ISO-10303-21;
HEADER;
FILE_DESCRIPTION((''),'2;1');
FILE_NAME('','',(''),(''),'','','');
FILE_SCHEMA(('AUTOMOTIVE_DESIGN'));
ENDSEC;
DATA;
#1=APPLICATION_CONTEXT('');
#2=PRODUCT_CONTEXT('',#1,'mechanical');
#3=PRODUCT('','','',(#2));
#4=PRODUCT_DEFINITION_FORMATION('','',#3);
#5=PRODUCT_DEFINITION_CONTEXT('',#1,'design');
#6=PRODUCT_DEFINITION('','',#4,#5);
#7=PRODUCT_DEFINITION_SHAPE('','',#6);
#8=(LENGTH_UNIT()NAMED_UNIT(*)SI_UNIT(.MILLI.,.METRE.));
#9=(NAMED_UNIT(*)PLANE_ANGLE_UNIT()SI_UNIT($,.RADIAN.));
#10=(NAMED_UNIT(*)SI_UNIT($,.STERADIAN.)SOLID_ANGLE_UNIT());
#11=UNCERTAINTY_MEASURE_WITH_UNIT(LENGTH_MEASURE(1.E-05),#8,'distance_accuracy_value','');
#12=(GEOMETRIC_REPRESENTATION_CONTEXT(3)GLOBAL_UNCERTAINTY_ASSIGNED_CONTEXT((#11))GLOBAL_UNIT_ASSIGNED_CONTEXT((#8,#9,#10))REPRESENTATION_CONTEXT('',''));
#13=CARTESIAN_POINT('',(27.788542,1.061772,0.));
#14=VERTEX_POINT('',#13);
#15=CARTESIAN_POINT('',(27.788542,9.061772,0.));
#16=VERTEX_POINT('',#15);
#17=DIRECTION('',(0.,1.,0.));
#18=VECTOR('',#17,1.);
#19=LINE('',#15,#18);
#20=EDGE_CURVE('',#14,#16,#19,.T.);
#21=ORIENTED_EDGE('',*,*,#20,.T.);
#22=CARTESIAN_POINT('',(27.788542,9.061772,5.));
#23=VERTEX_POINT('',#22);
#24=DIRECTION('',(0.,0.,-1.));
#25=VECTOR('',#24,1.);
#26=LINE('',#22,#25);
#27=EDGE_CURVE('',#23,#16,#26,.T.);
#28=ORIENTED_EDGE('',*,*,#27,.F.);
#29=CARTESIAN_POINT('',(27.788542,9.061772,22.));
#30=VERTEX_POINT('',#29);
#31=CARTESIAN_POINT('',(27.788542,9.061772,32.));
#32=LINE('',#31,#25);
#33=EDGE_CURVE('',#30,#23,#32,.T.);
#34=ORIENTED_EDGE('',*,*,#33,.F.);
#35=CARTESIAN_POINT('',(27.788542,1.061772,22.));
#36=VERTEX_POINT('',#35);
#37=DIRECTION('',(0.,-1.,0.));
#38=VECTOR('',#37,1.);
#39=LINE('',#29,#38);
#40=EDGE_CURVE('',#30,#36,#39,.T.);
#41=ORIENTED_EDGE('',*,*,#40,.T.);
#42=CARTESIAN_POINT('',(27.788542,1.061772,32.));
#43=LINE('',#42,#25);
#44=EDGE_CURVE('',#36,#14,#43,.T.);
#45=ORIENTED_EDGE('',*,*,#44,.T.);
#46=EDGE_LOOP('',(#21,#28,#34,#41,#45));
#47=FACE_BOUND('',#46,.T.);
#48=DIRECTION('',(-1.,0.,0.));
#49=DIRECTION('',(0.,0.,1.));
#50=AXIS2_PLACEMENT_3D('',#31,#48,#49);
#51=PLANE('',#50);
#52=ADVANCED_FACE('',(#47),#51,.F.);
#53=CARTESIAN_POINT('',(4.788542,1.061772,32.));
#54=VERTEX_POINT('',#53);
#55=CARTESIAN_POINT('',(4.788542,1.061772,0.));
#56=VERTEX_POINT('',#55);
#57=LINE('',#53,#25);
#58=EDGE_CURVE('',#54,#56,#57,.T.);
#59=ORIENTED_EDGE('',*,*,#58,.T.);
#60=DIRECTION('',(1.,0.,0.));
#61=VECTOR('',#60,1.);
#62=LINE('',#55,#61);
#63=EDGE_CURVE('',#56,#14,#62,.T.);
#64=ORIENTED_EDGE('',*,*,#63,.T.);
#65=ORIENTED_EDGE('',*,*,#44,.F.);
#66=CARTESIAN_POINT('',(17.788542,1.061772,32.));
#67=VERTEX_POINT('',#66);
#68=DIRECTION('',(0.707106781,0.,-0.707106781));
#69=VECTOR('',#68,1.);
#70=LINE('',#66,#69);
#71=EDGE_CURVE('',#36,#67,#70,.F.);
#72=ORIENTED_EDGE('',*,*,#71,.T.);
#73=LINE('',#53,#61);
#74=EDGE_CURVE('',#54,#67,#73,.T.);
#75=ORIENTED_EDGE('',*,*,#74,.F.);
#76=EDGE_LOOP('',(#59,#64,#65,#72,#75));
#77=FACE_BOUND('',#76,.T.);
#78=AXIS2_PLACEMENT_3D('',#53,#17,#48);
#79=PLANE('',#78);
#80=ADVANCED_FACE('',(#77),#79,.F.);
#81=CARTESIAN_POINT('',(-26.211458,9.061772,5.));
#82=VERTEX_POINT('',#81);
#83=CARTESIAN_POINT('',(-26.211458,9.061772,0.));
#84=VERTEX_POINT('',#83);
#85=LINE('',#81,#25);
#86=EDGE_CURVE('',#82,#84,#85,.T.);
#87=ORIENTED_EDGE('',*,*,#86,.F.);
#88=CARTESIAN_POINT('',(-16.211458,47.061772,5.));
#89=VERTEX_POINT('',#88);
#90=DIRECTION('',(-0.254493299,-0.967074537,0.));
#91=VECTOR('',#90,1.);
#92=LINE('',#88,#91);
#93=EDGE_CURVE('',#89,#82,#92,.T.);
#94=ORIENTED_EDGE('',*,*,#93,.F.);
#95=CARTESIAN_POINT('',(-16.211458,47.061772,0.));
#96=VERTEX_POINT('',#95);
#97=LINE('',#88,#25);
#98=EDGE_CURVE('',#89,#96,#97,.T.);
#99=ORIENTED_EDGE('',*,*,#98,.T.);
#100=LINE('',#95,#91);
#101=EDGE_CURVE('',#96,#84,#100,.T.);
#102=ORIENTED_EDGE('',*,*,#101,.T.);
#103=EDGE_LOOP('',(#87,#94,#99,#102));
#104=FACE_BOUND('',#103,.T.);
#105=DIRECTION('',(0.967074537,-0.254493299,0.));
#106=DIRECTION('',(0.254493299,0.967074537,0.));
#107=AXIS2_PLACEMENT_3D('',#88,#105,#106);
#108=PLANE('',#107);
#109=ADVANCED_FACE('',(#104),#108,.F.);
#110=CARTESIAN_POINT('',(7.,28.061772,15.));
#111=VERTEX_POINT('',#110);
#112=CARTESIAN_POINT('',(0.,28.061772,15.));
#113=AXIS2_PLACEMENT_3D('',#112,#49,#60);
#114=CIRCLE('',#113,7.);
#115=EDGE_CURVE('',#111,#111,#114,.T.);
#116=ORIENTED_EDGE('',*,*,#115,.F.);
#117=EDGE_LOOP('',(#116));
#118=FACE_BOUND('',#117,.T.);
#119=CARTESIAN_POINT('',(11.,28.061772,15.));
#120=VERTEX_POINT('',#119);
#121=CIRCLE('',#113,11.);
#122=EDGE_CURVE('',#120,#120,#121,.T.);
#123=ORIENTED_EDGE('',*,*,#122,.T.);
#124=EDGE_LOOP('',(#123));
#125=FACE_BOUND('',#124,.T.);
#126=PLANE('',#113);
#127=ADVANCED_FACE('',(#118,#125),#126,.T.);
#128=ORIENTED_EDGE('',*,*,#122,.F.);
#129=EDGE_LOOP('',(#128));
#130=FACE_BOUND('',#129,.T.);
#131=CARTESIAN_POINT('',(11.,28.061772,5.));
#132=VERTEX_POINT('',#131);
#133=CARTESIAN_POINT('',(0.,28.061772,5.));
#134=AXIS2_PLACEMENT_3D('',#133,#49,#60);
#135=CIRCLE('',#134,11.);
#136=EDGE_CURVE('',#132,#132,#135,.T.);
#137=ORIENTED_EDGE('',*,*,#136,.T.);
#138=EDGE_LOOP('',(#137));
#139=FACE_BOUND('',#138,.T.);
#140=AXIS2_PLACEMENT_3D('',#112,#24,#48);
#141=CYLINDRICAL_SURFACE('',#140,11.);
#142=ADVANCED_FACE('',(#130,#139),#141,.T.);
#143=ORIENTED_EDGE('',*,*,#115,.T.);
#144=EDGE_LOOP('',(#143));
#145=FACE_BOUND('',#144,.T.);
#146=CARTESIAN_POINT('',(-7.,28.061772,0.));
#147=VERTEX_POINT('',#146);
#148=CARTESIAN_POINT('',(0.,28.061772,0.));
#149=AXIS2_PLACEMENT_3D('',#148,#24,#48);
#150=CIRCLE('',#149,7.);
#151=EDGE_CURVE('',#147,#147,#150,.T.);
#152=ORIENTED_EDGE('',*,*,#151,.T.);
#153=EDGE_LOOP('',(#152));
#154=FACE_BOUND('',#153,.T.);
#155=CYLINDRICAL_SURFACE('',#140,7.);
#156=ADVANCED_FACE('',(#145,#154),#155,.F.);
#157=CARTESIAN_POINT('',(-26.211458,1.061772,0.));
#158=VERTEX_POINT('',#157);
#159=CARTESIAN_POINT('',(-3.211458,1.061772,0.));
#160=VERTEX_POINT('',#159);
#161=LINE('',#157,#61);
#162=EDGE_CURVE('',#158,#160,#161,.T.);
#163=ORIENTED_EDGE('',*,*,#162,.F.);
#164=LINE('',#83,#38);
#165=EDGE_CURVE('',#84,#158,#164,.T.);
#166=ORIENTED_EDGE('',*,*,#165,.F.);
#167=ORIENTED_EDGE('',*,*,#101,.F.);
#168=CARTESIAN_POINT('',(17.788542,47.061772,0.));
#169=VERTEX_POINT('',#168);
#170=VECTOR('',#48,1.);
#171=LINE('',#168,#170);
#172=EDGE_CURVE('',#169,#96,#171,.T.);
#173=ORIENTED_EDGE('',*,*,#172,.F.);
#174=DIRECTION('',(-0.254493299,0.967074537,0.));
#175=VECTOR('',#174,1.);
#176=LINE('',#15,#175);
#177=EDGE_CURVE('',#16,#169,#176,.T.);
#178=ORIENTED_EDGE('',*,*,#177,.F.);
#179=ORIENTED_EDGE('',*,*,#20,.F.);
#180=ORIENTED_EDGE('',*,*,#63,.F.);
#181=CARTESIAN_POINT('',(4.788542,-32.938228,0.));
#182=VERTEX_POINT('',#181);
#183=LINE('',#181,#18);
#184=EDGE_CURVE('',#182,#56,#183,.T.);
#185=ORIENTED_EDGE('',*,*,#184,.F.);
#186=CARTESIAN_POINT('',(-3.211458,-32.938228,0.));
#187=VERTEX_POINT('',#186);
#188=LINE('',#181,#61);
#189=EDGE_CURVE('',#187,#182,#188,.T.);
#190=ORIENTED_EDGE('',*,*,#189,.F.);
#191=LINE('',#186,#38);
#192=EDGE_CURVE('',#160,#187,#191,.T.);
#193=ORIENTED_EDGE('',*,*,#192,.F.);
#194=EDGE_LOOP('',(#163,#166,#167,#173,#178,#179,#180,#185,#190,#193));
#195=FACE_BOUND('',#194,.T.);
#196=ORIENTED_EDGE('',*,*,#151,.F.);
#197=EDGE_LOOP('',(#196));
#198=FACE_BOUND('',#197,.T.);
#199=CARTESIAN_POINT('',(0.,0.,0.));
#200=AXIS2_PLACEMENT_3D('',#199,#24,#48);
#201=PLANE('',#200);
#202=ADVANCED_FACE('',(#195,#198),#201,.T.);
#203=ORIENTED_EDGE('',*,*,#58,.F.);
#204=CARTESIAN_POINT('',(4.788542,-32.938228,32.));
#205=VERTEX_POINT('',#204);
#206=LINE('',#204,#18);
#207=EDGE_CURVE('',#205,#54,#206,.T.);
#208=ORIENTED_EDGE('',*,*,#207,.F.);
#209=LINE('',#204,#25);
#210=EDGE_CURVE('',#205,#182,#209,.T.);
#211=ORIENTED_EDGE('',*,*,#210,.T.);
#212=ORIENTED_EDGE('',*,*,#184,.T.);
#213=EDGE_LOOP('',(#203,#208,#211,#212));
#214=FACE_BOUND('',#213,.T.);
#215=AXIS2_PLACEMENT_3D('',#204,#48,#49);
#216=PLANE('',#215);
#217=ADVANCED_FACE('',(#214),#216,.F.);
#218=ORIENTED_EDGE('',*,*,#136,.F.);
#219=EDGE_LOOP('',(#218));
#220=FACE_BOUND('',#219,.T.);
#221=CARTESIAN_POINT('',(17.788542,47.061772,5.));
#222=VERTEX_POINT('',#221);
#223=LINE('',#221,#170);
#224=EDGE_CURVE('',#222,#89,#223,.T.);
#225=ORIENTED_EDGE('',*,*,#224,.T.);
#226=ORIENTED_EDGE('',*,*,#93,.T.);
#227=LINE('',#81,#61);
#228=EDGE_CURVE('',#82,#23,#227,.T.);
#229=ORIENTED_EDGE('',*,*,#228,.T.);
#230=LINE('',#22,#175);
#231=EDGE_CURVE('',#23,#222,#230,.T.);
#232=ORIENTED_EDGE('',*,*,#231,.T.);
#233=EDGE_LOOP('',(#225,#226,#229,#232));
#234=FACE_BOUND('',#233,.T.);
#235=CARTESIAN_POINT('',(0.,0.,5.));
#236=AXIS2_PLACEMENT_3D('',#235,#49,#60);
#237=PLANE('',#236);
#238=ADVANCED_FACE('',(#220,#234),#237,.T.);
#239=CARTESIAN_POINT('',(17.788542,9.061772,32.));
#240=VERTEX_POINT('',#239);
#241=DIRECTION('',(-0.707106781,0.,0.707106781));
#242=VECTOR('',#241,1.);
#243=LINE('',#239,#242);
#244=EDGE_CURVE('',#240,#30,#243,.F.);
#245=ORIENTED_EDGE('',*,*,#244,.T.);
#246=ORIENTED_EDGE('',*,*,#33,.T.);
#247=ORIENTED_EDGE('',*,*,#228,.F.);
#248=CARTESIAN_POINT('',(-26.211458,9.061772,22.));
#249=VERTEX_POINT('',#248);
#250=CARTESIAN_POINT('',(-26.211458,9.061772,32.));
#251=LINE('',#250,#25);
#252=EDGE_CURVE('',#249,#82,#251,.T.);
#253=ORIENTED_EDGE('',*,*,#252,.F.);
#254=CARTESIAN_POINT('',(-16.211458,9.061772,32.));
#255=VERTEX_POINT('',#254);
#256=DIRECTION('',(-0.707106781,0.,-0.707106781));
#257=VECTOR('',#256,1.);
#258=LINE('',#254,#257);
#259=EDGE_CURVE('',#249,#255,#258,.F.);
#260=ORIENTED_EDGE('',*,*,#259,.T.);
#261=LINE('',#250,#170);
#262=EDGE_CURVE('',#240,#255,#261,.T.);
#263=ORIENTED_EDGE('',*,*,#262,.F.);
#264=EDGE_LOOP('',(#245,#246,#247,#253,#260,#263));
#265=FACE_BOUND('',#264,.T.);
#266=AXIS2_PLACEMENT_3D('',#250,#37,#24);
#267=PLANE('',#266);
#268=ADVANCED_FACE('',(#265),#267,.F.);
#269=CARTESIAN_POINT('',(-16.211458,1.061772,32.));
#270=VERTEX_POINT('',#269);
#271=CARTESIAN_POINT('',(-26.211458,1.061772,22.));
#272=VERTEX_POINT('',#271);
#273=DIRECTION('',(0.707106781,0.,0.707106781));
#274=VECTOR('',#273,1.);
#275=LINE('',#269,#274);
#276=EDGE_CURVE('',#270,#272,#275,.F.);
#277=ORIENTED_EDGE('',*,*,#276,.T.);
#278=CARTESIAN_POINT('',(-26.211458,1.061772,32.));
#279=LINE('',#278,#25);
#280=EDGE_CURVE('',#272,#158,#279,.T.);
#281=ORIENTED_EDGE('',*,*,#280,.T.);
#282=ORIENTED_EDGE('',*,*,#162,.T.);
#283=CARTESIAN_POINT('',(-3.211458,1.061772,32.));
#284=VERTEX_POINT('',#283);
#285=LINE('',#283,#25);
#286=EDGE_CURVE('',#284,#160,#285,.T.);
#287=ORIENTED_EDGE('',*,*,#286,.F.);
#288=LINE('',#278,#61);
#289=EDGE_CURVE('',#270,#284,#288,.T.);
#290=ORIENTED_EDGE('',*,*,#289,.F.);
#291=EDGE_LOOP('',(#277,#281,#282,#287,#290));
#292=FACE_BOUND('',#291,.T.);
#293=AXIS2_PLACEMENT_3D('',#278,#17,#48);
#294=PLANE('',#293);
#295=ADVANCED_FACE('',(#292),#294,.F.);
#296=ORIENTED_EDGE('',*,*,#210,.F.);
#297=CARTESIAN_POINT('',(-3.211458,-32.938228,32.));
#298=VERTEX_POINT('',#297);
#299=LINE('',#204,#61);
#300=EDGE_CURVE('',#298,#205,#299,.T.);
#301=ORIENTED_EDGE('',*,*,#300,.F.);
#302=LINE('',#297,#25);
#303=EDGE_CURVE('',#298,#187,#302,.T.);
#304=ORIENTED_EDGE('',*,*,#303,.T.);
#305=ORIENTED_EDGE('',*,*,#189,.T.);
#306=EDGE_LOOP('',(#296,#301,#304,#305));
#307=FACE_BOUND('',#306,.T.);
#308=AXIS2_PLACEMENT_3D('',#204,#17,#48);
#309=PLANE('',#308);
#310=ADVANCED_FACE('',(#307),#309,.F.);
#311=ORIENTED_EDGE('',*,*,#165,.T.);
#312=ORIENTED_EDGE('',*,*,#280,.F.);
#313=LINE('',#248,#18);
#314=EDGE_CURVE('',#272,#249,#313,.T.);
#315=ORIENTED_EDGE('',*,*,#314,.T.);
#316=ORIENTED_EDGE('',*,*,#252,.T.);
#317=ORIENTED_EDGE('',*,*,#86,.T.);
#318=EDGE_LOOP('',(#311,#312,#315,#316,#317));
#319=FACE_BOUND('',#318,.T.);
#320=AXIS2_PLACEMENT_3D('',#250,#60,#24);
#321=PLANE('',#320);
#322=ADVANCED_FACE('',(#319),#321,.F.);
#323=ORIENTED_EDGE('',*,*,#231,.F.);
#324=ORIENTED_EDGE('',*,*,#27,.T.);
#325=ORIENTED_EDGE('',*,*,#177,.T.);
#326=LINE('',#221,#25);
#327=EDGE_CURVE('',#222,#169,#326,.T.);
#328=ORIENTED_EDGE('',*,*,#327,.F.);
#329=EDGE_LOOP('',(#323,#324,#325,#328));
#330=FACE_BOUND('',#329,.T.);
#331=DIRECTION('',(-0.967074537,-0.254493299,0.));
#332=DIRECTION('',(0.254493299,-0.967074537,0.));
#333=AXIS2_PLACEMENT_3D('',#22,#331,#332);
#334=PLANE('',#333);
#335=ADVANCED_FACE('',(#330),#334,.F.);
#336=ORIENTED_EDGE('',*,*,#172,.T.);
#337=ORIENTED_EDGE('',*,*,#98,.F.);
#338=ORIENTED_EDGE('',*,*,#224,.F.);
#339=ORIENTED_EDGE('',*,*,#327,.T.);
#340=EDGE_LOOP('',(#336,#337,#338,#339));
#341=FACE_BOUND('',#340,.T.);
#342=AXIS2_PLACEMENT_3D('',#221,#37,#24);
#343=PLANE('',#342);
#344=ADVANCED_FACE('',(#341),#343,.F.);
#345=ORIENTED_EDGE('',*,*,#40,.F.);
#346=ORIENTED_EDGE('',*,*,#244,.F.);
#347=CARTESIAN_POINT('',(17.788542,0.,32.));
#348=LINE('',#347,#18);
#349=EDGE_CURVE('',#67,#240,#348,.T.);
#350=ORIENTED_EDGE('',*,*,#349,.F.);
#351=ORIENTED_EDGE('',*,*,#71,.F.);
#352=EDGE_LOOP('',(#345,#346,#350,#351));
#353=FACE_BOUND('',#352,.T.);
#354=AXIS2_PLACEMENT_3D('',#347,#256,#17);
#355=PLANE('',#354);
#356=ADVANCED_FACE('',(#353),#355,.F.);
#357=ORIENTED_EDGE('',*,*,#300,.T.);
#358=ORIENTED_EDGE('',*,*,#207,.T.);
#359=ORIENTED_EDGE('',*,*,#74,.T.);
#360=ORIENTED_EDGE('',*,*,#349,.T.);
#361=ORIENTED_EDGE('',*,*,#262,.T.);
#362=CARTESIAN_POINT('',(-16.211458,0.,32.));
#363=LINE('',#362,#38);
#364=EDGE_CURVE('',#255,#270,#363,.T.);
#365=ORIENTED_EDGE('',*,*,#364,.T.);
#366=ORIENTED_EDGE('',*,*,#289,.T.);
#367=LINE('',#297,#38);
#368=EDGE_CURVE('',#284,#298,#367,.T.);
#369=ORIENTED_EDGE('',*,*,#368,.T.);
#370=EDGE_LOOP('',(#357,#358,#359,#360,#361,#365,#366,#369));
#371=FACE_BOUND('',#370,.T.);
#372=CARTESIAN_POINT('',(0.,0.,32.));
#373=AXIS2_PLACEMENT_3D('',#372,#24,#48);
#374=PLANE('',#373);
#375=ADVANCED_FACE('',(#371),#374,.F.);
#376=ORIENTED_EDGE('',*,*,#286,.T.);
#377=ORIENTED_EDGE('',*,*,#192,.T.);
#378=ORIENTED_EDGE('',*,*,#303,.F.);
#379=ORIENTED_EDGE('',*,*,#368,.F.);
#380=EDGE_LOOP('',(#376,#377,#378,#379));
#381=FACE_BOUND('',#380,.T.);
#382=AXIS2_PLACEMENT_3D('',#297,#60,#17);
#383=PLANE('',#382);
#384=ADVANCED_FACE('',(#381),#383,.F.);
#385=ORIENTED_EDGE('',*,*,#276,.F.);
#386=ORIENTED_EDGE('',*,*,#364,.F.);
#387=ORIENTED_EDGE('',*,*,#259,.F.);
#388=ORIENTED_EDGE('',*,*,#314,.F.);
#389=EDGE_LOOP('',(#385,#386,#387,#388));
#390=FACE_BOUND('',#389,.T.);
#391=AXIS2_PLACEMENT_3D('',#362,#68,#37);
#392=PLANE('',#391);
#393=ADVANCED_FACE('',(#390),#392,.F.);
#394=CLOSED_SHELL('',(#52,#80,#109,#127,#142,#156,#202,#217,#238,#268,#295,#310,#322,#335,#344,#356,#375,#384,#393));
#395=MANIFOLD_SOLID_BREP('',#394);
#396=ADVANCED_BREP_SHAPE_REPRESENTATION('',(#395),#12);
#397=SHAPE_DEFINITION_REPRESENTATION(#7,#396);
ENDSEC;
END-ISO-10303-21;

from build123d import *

# Parameters (mm, degrees)
BOSS_EXTRUDE1_DEPTH = 32
CHAMFER3_SIZE       = 10
CHAMFER4_SIZE       = 10
BOSS_EXTRUDE3_DEPTH = 5
SKETCH6_R           = 11
SKETCH6_R_2         = 7
BOSS_EXTRUDE4_DEPTH = 10
CUT_EXTRUDE1_START  = -10
SKETCH7_R           = 7
CUT_EXTRUDE1_DEPTH  = 10


with BuildPart() as part:
    # Sketch2 → Boss-Extrude1 (new body)
    with BuildSketch(Plane.XY):
        Polygon((4.788542225, -32.938228069), (-3.211457775, -32.938228069), (-3.211457775, 1.061771931), (-26.211457775, 1.061771931), (-26.211457775, 9.061771931), (27.788542225, 9.061771931), (27.788542225, 1.061771931), (4.788542225, 1.061771931), align=None)
    extrude(amount=BOSS_EXTRUDE1_DEPTH)

    # Chamfer3
    chamfer3_edges = [part.edges().sort_by_distance(p)[0] for p in [
        (27.788542225, 5.061771931, 32),
    ]]
    chamfer(chamfer3_edges, length=CHAMFER3_SIZE)

    # Chamfer4
    chamfer4_edges = [part.edges().sort_by_distance(p)[0] for p in [
        (-26.211457775, 5.061771931, 32),
    ]]
    chamfer(chamfer4_edges, length=CHAMFER4_SIZE)

    # Sketch5 → Boss-Extrude3 (add)
    with BuildSketch(Plane.XY):
        Polygon((27.788542225, 9.061771931), (17.788542225, 47.061771931), (-16.211457775, 47.061771931), (-26.211457775, 9.061771931), align=None)
    extrude(amount=BOSS_EXTRUDE3_DEPTH)

    # Sketch6 → Boss-Extrude4 (add)
    with BuildSketch(Plane.XY.offset(5)):
        with Locations((0, 28.061771931)):
            Circle(SKETCH6_R)
        with Locations((0, 28.061771931)):
            Circle(SKETCH6_R_2, mode=Mode.SUBTRACT)
    extrude(amount=BOSS_EXTRUDE4_DEPTH)

    # Sketch7 → Cut-Extrude1 (cut)
    with BuildSketch(Plane.XY.offset(5).offset(CUT_EXTRUDE1_START)):
        with Locations(Location((0, 28.061771931, 0), (0, 0, 180))):
            Circle(SKETCH7_R)
    extrude(amount=CUT_EXTRUDE1_DEPTH, mode=Mode.SUBTRACT)


solid = part.part
